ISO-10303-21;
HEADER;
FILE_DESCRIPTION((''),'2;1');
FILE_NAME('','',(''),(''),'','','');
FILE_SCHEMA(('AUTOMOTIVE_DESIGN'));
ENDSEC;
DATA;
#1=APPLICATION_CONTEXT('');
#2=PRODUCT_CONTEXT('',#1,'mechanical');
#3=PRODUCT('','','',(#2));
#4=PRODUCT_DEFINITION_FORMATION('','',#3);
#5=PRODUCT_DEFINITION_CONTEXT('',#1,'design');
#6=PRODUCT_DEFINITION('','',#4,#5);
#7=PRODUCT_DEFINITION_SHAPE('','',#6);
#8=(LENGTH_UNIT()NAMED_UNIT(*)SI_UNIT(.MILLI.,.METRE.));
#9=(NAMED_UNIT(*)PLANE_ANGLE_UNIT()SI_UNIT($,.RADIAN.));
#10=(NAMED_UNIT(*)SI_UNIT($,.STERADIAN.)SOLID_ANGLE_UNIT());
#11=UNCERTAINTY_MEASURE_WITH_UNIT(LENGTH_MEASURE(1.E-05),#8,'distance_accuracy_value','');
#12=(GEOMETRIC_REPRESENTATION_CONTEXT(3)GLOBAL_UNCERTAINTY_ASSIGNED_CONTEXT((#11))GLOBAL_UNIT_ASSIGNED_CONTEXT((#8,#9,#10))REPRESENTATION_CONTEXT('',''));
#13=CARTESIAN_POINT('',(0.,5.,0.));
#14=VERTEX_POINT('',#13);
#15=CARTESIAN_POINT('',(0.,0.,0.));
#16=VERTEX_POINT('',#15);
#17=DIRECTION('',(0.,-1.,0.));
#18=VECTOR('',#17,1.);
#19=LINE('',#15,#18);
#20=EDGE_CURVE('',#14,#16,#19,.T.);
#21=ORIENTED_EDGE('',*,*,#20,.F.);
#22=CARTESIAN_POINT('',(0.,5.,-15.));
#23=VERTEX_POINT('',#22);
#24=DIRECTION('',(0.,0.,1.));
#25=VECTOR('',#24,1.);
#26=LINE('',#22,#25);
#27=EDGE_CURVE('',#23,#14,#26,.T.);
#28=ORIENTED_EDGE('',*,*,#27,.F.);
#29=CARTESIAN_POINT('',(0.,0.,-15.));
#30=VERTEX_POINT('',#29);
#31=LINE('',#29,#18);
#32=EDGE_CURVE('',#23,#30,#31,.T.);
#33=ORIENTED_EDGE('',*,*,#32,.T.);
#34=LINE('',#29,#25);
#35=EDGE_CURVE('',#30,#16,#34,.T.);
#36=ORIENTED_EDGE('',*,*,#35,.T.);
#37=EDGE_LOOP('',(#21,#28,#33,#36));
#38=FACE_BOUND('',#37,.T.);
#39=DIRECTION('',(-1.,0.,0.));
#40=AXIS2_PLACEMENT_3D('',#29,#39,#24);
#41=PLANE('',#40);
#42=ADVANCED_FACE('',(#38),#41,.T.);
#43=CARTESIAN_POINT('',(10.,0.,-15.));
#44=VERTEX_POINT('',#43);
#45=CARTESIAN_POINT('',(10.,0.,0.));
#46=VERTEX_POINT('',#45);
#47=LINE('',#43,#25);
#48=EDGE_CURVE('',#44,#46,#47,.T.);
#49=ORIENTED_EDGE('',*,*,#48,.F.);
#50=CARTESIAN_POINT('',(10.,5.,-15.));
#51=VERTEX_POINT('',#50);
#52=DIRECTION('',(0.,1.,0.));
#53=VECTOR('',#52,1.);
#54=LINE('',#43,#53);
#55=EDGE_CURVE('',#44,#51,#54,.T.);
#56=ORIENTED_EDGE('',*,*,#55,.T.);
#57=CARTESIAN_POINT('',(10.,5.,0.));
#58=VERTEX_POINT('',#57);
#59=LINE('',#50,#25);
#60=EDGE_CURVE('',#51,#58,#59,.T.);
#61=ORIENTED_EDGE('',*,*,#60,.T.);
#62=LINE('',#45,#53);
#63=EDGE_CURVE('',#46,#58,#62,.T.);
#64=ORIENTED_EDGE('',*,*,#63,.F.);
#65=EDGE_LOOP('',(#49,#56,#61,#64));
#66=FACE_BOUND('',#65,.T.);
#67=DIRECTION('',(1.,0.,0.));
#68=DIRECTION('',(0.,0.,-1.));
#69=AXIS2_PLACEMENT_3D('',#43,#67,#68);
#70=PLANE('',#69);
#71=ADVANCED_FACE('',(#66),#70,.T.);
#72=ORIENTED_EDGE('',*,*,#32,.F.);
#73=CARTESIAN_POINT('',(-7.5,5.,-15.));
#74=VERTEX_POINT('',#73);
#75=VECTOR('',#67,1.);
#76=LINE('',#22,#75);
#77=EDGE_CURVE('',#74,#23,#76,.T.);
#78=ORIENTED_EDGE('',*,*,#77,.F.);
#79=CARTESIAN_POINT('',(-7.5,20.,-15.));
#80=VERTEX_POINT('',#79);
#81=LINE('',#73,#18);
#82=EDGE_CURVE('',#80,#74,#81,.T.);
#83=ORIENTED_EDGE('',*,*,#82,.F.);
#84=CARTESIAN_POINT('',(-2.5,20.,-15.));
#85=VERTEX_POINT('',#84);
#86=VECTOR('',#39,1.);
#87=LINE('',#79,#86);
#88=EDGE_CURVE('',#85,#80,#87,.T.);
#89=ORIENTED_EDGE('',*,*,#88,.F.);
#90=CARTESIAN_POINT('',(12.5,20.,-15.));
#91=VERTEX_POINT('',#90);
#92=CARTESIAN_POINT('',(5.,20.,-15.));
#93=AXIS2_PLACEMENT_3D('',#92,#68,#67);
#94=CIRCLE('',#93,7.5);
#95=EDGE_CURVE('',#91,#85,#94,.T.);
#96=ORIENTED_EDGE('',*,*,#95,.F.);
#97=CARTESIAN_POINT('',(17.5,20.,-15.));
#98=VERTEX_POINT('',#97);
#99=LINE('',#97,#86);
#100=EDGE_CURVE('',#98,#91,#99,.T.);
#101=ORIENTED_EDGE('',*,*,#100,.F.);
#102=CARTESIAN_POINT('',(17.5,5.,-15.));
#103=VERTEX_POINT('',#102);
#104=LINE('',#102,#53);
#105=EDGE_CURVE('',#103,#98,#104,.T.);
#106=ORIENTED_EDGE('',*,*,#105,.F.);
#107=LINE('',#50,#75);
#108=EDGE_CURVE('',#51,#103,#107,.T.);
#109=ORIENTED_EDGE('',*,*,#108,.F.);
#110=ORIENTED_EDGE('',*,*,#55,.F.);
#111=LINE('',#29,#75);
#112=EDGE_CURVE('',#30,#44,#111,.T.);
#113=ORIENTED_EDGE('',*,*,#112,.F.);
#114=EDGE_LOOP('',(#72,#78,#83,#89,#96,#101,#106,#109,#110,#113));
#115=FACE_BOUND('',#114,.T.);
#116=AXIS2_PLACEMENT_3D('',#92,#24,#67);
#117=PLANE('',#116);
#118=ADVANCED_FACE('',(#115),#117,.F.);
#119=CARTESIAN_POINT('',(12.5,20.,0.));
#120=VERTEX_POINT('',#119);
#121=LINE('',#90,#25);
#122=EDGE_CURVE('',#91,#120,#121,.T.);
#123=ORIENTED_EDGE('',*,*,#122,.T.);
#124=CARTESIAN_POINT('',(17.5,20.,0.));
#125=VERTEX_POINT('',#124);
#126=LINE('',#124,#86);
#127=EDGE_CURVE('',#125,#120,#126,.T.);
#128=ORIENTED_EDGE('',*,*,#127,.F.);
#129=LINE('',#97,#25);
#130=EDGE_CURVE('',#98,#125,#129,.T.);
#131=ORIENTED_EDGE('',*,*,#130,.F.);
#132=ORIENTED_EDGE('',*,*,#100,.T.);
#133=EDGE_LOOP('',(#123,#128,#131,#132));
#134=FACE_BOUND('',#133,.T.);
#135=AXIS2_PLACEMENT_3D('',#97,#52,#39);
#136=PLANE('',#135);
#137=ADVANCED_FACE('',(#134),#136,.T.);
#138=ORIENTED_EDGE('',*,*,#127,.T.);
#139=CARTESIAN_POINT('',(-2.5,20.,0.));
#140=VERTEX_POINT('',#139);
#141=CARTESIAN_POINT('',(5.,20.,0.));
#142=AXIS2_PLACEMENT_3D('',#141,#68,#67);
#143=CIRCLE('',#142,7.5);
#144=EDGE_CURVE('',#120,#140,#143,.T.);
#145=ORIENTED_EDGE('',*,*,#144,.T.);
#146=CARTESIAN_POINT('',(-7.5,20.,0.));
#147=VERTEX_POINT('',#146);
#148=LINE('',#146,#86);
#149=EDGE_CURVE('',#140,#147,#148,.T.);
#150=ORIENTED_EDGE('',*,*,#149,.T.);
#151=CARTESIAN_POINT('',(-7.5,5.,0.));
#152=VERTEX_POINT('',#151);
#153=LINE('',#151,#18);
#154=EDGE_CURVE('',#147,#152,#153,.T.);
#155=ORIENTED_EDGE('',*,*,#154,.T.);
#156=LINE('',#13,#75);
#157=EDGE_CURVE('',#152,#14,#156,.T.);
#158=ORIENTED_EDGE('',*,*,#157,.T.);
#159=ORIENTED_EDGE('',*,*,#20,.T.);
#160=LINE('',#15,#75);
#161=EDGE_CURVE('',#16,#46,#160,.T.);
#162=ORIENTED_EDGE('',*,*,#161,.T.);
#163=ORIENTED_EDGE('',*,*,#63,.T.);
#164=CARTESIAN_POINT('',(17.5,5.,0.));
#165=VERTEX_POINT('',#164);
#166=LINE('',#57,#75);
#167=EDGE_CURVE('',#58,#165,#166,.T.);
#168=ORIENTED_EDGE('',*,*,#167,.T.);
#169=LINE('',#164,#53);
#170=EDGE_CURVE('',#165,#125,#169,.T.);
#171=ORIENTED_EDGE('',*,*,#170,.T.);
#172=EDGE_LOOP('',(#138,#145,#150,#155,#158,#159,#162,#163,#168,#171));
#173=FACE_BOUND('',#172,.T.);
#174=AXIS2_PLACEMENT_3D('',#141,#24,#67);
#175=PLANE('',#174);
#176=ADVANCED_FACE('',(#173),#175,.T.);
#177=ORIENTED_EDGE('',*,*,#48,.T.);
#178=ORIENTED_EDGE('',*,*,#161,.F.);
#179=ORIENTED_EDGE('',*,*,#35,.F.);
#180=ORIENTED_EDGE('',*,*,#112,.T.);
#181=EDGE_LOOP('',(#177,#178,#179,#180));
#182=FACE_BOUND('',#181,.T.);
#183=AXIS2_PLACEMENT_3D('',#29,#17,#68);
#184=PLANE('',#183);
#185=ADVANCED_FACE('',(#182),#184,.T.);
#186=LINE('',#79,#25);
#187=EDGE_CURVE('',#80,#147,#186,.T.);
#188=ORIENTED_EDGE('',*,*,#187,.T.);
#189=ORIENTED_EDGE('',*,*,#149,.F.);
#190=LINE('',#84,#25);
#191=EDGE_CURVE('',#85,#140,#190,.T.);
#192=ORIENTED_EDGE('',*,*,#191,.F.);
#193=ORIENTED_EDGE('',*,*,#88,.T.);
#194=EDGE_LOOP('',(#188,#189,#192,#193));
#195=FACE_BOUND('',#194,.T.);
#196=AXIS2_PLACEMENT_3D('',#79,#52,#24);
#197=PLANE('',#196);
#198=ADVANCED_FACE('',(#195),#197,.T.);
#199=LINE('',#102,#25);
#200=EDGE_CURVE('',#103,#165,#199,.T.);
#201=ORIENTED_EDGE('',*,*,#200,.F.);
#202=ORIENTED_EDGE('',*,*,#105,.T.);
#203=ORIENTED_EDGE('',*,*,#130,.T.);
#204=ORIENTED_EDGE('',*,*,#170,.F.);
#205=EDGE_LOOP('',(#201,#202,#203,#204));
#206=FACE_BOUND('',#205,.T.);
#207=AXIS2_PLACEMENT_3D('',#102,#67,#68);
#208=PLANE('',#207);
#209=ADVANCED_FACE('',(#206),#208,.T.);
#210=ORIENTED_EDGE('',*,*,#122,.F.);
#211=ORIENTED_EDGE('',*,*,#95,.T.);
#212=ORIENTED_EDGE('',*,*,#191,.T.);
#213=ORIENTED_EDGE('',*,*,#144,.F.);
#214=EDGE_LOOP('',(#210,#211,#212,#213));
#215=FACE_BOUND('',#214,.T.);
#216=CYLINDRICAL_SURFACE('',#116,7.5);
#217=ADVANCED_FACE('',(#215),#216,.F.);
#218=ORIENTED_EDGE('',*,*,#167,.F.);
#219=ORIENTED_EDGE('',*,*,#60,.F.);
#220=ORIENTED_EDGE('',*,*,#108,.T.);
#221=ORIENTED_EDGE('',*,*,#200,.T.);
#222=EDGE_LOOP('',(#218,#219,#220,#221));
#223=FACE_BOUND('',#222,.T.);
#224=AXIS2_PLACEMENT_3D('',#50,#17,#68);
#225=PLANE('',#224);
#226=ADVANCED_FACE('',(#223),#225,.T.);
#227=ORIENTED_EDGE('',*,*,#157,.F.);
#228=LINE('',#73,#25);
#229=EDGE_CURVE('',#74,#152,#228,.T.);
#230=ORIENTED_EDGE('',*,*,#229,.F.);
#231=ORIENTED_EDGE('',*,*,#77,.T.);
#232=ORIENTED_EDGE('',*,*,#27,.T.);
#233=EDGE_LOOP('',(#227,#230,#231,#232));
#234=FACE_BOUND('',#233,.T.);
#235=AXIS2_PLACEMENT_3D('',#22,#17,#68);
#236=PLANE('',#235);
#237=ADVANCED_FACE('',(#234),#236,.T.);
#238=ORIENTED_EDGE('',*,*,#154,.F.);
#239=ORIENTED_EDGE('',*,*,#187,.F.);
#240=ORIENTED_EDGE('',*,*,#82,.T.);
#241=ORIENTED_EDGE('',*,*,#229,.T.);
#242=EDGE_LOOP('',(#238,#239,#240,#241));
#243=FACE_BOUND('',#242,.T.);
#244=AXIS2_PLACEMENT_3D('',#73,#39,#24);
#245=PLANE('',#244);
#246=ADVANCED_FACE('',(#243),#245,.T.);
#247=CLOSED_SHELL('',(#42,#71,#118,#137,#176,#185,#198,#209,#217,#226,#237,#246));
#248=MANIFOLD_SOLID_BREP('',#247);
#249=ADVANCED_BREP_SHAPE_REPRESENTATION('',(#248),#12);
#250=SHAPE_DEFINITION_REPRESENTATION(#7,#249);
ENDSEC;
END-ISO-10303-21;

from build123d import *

# Parameters (mm, degrees)
SALIENTE_EXTRUIR1_DEPTH = 15


with BuildPart() as part:
    # Croquis1 → Saliente-Extruir1 (new body)
    with BuildSketch(Plane.XY):
        with BuildLine():
            Line((0, 0), (10, 0))
            Line((10, 0), (10, 5))
            Line((10, 5), (17.5, 5))
            Line((17.5, 5), (17.5, 20))
            Line((17.5, 20), (12.5, 20))
            ThreePointArc((12.5, 20), (5, 12.5), (-2.5, 20))
            Line((-2.5, 20), (-7.5, 20))
            Line((-7.5, 20), (-7.5, 5))
            Line((-7.5, 5), (0, 5))
            Line((0, 5), (0, 0))
        make_face()
    extrude(amount=-SALIENTE_EXTRUIR1_DEPTH)


solid = part.part
